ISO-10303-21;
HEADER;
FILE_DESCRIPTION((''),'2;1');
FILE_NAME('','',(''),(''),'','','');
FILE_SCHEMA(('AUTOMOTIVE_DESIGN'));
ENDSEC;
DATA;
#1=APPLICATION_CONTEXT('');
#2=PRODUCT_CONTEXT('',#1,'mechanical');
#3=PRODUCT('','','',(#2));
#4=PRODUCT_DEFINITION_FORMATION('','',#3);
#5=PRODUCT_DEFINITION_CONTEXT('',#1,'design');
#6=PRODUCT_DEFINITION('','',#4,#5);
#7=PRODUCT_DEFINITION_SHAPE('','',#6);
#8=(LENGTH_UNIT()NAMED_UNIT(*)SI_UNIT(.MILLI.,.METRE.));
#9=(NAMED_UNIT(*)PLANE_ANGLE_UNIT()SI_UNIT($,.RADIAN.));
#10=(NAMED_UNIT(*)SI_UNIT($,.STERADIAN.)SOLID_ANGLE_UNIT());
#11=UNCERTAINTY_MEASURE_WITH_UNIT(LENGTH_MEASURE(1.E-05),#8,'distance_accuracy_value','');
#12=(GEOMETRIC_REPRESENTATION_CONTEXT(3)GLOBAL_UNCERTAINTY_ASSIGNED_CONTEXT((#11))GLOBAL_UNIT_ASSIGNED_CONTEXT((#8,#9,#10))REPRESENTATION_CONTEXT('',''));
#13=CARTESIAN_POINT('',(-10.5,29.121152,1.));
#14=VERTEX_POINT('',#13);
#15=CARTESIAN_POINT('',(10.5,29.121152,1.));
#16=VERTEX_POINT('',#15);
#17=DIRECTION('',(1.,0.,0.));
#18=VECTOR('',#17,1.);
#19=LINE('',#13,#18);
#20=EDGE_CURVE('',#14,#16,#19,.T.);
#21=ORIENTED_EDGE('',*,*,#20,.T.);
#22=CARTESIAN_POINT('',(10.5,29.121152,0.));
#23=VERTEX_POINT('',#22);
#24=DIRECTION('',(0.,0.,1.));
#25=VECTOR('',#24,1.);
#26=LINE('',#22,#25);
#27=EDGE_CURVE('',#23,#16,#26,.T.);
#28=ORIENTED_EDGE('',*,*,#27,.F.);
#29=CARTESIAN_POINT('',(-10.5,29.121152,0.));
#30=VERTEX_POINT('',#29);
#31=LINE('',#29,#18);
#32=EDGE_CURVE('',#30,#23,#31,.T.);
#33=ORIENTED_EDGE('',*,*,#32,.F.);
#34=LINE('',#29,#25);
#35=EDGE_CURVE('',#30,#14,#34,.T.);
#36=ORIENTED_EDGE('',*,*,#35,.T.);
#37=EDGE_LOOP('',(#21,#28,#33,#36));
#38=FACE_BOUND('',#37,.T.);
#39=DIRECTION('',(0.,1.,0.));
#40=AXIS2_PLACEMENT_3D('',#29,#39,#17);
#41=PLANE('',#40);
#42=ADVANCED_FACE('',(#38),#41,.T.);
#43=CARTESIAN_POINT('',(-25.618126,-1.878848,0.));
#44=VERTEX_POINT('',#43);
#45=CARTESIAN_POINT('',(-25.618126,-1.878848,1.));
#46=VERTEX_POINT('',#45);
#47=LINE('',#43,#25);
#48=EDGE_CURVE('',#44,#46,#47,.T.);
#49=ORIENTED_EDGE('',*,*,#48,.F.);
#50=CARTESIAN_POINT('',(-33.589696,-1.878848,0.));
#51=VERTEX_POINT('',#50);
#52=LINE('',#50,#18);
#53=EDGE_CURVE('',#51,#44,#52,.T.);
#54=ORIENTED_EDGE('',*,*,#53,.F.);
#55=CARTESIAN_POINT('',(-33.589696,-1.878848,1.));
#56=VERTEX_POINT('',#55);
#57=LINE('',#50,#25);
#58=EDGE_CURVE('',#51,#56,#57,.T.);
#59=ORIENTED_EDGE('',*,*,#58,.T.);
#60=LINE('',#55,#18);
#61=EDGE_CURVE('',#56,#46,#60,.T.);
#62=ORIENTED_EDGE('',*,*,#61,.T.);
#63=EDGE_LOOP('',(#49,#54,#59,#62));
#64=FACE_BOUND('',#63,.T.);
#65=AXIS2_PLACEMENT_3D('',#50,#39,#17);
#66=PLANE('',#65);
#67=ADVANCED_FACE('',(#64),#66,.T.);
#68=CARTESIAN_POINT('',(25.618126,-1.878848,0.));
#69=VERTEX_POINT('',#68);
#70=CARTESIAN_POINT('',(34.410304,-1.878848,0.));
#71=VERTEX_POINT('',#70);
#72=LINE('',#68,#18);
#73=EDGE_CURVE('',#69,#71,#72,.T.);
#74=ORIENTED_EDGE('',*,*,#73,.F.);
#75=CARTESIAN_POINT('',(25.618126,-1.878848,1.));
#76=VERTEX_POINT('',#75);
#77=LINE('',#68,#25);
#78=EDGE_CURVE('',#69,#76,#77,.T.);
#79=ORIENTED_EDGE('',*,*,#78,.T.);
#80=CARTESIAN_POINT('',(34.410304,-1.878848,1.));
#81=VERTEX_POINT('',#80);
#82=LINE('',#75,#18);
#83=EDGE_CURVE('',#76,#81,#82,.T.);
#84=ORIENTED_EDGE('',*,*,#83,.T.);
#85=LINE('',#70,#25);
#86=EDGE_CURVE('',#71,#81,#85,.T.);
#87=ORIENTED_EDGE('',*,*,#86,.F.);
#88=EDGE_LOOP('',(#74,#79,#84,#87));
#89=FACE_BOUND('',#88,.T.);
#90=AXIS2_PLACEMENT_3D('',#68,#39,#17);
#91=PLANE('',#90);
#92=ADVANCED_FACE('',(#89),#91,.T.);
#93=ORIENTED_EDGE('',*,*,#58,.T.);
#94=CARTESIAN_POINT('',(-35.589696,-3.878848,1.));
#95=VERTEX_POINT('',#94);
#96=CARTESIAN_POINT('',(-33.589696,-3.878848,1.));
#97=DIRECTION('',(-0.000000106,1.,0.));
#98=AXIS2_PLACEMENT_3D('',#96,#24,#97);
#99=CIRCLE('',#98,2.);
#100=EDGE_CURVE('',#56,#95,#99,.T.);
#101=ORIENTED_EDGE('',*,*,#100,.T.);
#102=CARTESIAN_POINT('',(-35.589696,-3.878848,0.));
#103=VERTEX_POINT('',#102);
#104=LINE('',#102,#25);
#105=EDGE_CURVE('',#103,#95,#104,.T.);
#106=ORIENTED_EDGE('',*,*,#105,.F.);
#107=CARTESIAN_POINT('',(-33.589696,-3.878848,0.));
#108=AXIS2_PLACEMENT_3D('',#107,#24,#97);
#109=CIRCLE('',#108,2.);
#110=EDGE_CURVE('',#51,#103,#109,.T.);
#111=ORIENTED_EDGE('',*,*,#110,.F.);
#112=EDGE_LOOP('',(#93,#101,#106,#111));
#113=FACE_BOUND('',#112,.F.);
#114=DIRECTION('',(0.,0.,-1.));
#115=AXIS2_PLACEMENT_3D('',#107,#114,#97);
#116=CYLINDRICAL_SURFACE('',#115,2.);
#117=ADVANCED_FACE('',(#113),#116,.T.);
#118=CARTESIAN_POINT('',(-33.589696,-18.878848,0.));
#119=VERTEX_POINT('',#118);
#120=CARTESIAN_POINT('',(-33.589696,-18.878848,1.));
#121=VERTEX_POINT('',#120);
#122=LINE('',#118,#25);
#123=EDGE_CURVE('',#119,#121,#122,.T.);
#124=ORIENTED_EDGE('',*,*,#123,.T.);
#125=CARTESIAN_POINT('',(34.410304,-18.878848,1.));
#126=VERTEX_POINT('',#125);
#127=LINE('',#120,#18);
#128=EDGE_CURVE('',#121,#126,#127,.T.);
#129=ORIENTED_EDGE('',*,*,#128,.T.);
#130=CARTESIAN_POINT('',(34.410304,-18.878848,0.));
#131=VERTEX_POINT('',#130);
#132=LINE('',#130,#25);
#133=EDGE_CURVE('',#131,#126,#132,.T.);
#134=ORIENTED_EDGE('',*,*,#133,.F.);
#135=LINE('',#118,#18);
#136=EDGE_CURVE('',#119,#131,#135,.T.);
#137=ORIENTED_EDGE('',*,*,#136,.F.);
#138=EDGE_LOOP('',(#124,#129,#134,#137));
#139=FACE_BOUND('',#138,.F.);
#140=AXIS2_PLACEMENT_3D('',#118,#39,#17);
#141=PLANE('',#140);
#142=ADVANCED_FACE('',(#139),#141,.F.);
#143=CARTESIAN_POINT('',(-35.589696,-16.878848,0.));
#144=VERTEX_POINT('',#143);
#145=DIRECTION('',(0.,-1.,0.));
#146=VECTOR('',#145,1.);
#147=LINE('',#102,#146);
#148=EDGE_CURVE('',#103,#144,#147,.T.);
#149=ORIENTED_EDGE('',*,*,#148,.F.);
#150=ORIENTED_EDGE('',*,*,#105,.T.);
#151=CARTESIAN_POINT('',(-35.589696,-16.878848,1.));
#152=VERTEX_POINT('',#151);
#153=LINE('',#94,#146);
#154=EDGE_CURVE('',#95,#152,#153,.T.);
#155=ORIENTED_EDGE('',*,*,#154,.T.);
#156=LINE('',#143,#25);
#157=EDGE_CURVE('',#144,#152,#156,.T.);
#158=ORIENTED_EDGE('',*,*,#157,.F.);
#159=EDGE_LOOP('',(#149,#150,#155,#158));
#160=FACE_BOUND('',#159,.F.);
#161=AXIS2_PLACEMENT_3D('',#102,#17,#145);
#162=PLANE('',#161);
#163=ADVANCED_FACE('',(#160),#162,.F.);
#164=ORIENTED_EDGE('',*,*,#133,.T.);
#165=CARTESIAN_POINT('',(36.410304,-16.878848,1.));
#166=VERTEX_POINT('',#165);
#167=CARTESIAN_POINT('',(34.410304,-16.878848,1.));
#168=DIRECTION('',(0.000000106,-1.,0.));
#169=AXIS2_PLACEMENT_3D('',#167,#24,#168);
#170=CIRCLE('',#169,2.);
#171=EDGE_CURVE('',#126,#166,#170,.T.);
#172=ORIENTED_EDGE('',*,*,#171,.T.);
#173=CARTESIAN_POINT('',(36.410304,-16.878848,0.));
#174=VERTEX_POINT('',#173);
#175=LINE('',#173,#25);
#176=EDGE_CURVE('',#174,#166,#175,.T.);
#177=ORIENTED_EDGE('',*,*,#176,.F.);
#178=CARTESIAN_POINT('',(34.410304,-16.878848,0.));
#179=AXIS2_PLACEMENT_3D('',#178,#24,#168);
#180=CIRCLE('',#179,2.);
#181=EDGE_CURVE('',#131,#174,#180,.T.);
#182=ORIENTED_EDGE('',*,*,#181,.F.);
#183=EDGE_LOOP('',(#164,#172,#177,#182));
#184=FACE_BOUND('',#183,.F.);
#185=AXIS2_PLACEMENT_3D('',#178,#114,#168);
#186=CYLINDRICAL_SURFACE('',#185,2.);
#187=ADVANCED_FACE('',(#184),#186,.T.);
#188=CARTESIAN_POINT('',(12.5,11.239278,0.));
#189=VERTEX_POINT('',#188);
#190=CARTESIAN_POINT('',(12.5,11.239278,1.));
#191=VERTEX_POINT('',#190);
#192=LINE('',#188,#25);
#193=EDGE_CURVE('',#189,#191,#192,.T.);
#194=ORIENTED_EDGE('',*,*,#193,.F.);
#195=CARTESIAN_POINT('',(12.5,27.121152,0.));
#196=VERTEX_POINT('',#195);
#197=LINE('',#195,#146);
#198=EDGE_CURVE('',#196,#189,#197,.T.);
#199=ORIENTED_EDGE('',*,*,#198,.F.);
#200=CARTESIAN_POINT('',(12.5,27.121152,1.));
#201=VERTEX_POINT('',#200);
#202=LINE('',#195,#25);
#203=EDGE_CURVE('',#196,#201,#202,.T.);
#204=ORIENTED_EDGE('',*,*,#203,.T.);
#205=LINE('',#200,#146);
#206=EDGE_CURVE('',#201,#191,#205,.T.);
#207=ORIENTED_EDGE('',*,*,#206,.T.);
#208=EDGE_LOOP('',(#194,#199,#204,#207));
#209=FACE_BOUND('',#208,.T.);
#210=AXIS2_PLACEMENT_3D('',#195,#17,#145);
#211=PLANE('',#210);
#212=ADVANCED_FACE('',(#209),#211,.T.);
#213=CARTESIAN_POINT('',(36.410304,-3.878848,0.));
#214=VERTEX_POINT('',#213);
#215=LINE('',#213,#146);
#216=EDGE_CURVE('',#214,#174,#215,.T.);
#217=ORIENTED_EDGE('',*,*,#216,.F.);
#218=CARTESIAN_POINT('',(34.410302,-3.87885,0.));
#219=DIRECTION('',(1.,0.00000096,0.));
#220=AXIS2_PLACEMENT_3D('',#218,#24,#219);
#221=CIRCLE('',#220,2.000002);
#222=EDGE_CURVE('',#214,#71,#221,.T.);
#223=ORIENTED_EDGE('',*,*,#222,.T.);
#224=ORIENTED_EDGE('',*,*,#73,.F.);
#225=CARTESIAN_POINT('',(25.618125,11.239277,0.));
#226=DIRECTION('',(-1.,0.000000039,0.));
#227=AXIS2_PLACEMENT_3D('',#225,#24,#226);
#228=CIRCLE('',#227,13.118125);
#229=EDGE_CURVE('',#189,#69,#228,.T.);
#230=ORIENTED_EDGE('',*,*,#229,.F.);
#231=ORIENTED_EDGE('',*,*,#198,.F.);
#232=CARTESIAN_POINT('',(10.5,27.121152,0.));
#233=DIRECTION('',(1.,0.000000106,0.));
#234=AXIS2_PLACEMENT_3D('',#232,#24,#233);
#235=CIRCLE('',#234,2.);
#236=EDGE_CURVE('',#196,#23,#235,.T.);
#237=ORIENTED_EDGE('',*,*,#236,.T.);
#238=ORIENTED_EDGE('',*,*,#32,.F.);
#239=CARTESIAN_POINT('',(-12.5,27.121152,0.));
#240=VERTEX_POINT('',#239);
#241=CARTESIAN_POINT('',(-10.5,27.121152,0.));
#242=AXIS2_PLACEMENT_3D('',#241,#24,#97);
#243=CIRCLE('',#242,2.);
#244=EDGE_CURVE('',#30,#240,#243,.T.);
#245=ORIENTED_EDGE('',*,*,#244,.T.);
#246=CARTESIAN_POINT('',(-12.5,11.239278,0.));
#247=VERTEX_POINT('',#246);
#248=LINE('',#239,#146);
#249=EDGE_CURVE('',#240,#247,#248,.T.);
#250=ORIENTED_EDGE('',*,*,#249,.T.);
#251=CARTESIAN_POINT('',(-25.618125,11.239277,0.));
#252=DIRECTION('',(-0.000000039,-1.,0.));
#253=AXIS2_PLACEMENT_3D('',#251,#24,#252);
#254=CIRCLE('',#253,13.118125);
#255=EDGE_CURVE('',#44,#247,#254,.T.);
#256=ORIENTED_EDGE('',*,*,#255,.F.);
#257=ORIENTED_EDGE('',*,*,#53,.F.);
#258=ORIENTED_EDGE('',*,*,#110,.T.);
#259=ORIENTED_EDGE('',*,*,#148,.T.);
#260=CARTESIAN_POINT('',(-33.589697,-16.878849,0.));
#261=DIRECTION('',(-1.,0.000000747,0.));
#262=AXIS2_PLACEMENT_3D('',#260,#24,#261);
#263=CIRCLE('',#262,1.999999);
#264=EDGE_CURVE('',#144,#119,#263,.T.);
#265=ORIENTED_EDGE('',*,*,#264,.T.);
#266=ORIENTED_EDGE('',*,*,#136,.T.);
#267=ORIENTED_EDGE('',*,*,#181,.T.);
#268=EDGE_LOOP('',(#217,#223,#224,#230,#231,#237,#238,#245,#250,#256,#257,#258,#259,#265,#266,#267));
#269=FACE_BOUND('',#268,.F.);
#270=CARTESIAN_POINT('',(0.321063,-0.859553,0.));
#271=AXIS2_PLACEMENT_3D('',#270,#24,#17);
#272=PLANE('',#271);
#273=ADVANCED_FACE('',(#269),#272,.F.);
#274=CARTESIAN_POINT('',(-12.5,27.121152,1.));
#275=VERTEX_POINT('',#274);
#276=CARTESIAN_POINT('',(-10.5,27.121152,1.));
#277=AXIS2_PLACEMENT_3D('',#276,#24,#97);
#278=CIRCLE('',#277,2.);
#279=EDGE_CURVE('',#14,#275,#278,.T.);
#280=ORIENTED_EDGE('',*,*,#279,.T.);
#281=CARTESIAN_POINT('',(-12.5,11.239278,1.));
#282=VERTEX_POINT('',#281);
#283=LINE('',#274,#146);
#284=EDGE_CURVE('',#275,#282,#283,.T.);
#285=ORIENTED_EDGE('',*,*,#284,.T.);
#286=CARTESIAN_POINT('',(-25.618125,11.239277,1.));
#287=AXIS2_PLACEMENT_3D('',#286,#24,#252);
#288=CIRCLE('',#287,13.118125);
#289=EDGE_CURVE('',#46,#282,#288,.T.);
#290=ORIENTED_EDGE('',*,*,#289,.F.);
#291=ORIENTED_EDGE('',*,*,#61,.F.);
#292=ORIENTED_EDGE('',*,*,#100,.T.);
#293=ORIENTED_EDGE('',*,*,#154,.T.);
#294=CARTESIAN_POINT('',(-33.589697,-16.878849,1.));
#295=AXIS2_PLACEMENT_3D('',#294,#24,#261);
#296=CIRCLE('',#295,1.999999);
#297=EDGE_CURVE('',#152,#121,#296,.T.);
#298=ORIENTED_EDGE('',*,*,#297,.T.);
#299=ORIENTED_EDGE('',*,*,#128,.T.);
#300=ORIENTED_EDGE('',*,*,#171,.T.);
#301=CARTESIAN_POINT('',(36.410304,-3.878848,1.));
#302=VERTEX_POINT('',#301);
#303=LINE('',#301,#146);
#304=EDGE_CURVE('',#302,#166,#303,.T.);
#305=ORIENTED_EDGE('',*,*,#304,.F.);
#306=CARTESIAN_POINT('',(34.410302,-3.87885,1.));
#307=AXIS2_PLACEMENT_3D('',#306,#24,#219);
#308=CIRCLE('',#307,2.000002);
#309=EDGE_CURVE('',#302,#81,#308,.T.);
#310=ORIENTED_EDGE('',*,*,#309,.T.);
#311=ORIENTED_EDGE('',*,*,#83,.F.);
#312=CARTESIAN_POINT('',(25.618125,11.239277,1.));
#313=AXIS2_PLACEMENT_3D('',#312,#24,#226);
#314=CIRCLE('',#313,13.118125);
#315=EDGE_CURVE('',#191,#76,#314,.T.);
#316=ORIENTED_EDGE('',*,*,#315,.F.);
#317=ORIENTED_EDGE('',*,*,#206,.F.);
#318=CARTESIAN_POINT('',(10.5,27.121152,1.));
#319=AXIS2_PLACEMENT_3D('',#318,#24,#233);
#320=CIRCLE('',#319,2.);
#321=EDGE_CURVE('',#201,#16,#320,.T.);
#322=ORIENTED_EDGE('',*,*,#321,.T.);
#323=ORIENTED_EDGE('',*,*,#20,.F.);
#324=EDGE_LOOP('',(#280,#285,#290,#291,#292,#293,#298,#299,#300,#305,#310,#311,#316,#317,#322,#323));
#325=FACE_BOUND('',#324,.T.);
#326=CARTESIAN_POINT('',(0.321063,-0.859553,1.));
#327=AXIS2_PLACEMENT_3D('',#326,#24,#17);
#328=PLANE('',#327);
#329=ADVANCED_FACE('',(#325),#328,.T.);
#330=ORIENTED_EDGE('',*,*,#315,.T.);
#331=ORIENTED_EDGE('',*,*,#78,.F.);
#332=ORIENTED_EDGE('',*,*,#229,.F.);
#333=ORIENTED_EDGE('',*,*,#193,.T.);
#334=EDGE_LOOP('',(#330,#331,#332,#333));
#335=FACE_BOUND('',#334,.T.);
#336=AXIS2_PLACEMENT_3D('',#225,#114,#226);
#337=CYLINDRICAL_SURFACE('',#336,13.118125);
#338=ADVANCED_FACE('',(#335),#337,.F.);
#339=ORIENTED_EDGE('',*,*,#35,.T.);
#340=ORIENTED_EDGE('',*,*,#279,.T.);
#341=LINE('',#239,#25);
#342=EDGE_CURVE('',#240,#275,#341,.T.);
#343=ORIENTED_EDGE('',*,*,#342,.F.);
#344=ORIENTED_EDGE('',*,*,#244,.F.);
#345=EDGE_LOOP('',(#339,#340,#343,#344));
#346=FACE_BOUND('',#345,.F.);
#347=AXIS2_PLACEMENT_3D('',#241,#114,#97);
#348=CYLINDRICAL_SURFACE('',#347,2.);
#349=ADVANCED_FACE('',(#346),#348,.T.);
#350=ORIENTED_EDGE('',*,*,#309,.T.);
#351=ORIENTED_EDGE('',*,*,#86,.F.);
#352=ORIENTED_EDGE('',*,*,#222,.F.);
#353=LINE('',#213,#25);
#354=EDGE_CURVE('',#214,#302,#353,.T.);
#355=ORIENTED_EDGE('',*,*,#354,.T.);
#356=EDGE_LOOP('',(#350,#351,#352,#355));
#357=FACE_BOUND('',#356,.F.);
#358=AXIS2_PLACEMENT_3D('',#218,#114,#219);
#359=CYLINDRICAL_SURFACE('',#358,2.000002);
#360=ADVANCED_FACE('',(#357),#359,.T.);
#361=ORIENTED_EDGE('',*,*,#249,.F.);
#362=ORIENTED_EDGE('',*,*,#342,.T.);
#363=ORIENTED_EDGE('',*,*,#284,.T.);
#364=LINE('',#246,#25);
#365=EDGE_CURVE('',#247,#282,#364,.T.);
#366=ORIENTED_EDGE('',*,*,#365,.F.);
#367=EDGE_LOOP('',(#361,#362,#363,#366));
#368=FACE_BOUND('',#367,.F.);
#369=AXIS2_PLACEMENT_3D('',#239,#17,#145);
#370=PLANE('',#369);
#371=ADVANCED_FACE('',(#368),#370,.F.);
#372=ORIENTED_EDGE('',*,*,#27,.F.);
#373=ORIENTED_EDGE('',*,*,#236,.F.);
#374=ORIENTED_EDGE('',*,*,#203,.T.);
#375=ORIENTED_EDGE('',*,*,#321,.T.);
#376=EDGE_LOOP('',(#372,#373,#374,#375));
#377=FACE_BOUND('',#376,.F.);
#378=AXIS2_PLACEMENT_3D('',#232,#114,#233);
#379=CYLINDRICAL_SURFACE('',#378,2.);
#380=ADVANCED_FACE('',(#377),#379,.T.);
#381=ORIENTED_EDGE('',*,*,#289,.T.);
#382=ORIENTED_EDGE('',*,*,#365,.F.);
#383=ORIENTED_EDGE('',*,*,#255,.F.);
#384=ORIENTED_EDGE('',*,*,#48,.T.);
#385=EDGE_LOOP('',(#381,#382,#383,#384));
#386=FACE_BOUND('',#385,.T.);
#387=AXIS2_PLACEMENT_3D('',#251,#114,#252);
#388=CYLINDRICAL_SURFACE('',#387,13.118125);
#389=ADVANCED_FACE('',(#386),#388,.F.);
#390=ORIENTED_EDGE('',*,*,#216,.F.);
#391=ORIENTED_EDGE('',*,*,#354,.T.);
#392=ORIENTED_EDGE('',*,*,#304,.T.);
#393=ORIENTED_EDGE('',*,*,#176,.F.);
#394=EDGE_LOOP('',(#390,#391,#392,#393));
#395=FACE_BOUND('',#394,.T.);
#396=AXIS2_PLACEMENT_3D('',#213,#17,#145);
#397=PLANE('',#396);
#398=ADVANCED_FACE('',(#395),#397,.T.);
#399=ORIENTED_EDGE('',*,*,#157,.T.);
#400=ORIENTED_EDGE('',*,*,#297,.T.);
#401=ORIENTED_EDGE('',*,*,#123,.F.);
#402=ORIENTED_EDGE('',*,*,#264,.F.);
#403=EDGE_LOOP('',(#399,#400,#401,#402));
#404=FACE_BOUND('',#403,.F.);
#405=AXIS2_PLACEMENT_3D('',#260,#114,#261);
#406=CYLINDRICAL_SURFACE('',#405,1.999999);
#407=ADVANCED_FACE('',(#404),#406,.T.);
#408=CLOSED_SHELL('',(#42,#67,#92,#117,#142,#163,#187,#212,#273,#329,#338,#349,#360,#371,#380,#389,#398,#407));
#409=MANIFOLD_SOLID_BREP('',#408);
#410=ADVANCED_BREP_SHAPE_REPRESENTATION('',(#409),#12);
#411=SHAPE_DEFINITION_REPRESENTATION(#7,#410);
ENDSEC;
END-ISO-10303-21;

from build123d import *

# Parameters (mm, degrees)
PAD_DEPTH = 1


with BuildPart() as part:
    # Sketch → Pad (new body)
    with BuildSketch(Plane.XY):
        with BuildLine():
            Line((-33.589696, -18.878848), (34.410304, -18.878848))
            ThreePointArc((34.410304, -18.878848), (35.824517, -18.293062), (36.410304, -16.878848))
            Line((36.410304, -3.878848), (36.410304, -16.878848))
            ThreePointArc((36.410304, -3.878848), (35.824517, -2.464635), (34.410304, -1.878848))
            Line((25.618126, -1.878848), (34.410304, -1.878848))
            ThreePointArc((12.5, 11.239278), (16.34221, 1.963362), (25.618126, -1.878848))
            Line((12.5, 27.121152), (12.5, 11.239278))
            ThreePointArc((12.5, 27.121152), (11.914214, 28.535365), (10.5, 29.121152))
            Line((-10.5, 29.121152), (10.5, 29.121152))
            ThreePointArc((-10.5, 29.121152), (-11.914214, 28.535365), (-12.5, 27.121152))
            Line((-12.5, 27.121152), (-12.5, 11.239278))
            ThreePointArc((-25.618126, -1.878848), (-16.34221, 1.963362), (-12.5, 11.239278))
            Line((-33.589696, -1.878848), (-25.618126, -1.878848))
            ThreePointArc((-33.589696, -1.878848), (-35.00391, -2.464635), (-35.589696, -3.878848))
            Line((-35.589696, -3.878848), (-35.589696, -16.878848))
            ThreePointArc((-35.589696, -16.878848), (-35.00391, -18.293062), (-33.589696, -18.878848))
        make_face()
    extrude(amount=PAD_DEPTH)


solid = part.part
